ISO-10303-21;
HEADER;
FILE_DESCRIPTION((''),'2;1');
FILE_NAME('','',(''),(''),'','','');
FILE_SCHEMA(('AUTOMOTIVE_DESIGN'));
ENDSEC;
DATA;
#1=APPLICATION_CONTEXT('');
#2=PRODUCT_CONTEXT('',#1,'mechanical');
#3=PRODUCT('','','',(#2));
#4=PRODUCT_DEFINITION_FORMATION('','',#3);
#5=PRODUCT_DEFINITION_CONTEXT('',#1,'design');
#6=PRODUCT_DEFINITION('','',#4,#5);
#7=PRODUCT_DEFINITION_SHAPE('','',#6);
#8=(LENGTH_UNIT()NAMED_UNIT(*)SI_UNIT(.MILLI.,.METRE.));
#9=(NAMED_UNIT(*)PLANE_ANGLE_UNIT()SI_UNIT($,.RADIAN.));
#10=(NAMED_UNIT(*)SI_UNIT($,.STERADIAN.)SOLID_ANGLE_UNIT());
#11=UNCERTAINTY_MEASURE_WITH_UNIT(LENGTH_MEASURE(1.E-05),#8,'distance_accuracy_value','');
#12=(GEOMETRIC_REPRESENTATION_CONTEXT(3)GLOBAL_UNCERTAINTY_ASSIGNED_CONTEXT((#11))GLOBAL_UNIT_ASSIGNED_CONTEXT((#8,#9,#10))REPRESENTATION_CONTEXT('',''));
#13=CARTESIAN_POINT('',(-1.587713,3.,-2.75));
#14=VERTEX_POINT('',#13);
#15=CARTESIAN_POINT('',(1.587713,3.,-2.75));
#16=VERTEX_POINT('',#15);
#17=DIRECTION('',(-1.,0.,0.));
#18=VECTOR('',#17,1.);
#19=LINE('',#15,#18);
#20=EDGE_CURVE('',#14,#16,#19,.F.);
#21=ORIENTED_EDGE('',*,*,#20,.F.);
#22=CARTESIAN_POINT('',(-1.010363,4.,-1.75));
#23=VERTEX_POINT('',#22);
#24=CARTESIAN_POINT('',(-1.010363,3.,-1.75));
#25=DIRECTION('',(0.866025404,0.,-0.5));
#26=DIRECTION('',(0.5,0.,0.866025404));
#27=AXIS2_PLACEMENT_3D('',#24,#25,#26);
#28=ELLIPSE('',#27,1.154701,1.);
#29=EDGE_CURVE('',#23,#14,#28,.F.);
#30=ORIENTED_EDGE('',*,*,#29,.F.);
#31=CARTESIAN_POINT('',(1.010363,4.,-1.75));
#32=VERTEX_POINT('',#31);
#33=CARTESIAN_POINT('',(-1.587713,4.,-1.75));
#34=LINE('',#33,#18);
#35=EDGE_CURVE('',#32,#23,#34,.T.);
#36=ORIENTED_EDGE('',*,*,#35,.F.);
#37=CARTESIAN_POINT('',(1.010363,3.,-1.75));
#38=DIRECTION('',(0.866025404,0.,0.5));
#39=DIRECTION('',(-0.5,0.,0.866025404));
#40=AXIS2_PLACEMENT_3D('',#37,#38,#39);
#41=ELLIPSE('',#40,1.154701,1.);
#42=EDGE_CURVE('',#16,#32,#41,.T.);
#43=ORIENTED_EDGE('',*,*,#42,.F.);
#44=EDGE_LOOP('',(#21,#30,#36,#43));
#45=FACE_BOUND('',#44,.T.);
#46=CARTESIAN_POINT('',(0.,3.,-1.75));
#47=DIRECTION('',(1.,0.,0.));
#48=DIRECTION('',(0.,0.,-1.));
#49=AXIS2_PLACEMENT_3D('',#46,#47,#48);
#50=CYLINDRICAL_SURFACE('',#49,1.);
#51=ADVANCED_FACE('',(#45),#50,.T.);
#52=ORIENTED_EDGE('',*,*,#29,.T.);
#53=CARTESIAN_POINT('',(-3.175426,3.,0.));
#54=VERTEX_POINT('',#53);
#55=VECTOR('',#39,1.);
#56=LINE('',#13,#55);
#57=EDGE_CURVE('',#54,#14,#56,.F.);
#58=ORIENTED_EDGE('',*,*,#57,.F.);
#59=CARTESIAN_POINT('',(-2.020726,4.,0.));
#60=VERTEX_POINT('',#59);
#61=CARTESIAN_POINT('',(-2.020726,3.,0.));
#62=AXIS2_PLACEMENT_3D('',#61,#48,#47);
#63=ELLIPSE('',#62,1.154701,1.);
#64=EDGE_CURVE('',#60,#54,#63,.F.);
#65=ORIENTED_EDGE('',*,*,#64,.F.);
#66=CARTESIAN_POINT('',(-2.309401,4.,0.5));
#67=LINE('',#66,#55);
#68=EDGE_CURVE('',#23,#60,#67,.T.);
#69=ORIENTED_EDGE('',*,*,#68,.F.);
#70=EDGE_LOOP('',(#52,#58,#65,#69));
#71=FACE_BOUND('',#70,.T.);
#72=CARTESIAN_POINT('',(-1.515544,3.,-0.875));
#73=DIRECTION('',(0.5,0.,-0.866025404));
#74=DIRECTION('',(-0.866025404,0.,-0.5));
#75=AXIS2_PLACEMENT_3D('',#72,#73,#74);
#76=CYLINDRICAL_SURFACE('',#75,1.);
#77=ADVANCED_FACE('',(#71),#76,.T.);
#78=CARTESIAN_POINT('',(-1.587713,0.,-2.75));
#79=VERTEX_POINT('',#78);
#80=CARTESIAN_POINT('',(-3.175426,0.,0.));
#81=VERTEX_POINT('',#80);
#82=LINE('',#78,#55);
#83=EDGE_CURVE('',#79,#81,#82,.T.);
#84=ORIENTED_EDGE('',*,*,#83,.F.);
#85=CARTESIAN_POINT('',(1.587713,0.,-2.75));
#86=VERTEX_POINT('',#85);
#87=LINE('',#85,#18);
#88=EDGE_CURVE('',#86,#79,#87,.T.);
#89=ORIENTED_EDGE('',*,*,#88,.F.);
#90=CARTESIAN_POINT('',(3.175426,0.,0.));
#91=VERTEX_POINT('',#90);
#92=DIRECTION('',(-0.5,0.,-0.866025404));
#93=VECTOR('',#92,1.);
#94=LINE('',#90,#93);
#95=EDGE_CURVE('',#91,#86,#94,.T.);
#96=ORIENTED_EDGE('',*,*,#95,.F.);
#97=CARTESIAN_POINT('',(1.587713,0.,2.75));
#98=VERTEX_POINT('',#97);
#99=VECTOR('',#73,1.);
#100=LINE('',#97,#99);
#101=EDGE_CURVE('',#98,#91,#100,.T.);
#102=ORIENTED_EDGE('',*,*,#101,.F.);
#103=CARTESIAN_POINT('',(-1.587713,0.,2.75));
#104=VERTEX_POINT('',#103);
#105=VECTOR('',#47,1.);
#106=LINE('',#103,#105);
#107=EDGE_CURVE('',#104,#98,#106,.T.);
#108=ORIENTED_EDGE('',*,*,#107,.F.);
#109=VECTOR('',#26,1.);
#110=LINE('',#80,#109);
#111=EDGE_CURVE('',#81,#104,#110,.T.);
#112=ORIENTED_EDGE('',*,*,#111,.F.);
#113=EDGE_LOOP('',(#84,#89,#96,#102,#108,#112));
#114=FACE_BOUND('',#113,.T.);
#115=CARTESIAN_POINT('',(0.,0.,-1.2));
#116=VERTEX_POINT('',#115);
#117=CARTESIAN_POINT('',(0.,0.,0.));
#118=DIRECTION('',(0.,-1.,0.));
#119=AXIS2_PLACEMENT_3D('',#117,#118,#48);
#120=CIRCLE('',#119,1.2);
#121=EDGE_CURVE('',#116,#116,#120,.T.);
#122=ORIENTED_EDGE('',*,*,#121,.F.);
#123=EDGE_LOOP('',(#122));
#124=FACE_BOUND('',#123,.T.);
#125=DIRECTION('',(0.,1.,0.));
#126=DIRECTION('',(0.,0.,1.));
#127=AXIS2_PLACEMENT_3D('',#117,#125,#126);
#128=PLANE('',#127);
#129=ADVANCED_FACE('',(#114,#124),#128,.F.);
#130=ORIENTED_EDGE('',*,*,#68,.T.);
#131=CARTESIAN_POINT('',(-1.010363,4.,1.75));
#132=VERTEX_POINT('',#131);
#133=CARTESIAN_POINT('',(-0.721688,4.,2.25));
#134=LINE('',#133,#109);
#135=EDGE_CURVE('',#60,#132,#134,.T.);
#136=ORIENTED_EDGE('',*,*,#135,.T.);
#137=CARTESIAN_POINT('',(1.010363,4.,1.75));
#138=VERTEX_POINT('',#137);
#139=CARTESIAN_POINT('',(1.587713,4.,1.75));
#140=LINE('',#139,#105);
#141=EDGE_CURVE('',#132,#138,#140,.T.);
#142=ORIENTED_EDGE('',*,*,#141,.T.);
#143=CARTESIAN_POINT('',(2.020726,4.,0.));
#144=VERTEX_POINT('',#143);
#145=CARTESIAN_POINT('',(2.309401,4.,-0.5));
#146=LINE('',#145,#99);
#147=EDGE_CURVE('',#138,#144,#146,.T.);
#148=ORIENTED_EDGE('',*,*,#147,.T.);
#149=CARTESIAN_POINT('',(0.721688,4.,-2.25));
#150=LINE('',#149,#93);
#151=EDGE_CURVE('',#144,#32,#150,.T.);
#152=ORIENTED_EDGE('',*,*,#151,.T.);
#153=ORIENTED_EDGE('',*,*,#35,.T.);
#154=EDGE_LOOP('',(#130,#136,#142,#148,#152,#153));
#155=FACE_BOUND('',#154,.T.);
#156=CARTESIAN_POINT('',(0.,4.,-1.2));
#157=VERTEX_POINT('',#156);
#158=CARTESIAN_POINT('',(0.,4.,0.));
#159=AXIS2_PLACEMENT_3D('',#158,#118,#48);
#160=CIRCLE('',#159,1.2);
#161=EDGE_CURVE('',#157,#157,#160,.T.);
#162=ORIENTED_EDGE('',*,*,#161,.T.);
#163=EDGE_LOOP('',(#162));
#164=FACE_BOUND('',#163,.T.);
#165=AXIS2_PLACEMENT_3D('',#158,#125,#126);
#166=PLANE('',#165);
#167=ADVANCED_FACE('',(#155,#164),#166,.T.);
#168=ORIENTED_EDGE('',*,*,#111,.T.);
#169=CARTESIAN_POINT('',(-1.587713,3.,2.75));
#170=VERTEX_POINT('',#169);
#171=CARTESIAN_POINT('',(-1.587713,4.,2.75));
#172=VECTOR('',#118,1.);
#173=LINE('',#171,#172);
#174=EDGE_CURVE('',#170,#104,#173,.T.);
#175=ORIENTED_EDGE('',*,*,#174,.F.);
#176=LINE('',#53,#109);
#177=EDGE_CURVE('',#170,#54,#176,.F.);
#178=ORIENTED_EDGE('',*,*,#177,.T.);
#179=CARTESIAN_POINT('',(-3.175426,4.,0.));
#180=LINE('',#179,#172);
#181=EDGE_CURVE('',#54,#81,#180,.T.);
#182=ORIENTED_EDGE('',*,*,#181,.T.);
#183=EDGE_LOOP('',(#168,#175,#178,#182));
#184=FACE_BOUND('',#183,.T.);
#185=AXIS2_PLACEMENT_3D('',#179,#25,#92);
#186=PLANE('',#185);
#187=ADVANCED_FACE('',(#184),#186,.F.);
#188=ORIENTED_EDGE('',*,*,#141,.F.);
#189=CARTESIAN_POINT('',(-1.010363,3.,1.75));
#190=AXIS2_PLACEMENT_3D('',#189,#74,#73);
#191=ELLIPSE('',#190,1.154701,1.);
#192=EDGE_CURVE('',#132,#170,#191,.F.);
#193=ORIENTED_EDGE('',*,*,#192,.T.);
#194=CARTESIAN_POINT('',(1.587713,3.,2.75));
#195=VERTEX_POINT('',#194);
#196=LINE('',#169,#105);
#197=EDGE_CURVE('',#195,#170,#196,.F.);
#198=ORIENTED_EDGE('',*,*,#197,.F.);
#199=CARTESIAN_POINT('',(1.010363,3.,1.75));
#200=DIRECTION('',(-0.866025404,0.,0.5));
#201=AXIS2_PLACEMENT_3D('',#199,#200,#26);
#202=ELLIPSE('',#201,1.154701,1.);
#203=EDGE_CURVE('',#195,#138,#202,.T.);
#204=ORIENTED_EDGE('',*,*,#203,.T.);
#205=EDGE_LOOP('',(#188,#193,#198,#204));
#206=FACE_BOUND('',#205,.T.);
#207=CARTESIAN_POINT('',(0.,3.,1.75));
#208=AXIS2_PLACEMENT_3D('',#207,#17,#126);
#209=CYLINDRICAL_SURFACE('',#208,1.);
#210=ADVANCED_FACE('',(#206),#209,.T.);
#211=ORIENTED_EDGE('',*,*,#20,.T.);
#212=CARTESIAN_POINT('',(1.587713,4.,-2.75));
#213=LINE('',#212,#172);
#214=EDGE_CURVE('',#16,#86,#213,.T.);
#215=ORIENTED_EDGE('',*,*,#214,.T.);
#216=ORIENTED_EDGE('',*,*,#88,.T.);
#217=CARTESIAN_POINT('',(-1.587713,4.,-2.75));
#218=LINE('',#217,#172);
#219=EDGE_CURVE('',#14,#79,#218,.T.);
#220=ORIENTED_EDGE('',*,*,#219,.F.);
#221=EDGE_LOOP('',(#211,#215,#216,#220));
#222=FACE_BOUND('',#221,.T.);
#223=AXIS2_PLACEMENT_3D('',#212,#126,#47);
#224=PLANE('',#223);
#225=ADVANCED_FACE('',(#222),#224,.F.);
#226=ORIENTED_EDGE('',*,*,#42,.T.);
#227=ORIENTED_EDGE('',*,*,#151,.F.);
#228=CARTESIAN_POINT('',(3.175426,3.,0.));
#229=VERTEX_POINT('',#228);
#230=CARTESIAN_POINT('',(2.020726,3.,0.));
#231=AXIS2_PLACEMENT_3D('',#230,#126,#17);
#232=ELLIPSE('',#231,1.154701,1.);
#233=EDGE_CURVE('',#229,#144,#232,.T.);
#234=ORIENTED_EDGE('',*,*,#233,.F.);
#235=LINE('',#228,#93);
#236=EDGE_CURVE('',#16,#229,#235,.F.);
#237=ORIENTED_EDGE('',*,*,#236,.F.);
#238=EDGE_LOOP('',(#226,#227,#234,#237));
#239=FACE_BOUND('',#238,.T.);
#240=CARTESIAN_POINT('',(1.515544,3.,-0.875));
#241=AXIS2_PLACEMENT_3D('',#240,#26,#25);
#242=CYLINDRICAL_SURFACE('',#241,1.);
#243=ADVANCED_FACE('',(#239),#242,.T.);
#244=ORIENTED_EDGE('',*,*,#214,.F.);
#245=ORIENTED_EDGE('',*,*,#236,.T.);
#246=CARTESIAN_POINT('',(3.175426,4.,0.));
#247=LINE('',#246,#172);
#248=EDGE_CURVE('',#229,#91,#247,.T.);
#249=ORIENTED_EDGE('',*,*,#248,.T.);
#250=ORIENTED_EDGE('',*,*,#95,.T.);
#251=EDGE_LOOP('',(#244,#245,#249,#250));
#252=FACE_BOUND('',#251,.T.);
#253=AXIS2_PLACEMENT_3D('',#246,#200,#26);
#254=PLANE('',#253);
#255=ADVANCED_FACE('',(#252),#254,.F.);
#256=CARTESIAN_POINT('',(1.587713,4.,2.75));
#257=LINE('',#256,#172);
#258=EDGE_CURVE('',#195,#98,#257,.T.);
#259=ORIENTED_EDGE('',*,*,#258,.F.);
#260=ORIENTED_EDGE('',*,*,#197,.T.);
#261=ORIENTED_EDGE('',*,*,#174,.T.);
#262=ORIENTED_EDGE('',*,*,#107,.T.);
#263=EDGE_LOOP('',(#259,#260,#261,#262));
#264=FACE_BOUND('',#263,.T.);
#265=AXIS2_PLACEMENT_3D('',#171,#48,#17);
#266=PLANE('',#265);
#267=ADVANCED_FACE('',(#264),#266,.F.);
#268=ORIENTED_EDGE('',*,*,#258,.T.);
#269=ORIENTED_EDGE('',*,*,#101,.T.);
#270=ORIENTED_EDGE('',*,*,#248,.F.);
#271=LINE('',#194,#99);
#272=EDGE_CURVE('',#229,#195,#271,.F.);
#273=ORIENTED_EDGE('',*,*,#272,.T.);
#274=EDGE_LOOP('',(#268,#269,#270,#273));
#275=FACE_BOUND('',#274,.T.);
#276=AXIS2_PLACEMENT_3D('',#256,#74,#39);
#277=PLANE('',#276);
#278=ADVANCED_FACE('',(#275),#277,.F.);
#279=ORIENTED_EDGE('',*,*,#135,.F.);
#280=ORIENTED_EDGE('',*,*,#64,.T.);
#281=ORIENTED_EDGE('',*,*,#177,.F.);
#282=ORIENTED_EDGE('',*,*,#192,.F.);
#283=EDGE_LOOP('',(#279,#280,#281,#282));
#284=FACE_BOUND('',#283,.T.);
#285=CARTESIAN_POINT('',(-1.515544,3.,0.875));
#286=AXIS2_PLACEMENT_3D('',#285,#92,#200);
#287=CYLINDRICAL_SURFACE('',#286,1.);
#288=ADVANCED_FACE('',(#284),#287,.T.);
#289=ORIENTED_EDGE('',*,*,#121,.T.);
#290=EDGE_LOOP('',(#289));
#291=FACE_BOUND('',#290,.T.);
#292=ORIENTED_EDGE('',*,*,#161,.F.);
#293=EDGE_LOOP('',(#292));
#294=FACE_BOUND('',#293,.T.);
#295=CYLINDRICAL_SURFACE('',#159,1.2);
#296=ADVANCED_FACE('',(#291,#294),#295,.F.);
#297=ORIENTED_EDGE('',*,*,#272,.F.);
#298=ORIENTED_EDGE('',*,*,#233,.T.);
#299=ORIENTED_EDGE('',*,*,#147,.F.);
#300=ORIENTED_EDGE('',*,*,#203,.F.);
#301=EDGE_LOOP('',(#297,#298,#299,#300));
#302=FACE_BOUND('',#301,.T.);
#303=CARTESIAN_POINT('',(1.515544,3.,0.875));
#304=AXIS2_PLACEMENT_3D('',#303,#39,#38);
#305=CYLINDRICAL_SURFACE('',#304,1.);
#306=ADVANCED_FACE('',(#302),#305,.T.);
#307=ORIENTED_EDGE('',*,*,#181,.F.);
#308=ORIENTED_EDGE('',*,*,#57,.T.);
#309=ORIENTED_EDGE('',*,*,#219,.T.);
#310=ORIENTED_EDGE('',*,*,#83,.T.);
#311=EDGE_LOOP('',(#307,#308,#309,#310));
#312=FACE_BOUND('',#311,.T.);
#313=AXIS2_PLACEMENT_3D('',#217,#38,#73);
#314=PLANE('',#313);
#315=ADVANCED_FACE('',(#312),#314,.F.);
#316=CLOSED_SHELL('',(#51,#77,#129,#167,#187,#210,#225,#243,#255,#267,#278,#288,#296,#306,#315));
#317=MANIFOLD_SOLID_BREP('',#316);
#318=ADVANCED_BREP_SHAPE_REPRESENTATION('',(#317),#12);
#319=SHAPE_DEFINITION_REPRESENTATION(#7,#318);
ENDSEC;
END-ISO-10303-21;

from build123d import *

# Parameters (mm, degrees)
BOSS_EXTRUDE2_DEPTH = 4
FILLET1_R           = 1
SKETCH3_R           = 1.2
CUT_EXTRUDE1_DEPTH  = 5


with BuildPart() as part:
    # Sketch2 → Boss-Extrude2 (new body)
    with BuildSketch(Plane(origin=(0, 0, 0), x_dir=(1, 0, 0), z_dir=(0, 1, 0))):
        Polygon((3.175426481, 0), (1.58771324, 2.75), (-1.58771324, 2.75), (-3.175426481, 0), (-1.58771324, -2.75), (1.58771324, -2.75), align=None)
    extrude(amount=BOSS_EXTRUDE2_DEPTH)

    # Fillet1
    fillet1_edges = [part.edges().sort_by_distance(p)[0] for p in [
        (0, 4, -2.75),
        (-2.38156986, 4, -1.375),
        (-2.38156986, 4, 1.375),
        (0, 4, 2.75),
        (2.38156986, 4, 1.375),
        (2.38156986, 4, -1.375),
    ]]
    fillet(fillet1_edges, radius=FILLET1_R)

    # Sketch3 → Cut-Extrude1 (cut, through all)
    with BuildSketch(Plane.XZ):
        Circle(SKETCH3_R)
    extrude(amount=-CUT_EXTRUDE1_DEPTH, mode=Mode.SUBTRACT)


solid = part.part
